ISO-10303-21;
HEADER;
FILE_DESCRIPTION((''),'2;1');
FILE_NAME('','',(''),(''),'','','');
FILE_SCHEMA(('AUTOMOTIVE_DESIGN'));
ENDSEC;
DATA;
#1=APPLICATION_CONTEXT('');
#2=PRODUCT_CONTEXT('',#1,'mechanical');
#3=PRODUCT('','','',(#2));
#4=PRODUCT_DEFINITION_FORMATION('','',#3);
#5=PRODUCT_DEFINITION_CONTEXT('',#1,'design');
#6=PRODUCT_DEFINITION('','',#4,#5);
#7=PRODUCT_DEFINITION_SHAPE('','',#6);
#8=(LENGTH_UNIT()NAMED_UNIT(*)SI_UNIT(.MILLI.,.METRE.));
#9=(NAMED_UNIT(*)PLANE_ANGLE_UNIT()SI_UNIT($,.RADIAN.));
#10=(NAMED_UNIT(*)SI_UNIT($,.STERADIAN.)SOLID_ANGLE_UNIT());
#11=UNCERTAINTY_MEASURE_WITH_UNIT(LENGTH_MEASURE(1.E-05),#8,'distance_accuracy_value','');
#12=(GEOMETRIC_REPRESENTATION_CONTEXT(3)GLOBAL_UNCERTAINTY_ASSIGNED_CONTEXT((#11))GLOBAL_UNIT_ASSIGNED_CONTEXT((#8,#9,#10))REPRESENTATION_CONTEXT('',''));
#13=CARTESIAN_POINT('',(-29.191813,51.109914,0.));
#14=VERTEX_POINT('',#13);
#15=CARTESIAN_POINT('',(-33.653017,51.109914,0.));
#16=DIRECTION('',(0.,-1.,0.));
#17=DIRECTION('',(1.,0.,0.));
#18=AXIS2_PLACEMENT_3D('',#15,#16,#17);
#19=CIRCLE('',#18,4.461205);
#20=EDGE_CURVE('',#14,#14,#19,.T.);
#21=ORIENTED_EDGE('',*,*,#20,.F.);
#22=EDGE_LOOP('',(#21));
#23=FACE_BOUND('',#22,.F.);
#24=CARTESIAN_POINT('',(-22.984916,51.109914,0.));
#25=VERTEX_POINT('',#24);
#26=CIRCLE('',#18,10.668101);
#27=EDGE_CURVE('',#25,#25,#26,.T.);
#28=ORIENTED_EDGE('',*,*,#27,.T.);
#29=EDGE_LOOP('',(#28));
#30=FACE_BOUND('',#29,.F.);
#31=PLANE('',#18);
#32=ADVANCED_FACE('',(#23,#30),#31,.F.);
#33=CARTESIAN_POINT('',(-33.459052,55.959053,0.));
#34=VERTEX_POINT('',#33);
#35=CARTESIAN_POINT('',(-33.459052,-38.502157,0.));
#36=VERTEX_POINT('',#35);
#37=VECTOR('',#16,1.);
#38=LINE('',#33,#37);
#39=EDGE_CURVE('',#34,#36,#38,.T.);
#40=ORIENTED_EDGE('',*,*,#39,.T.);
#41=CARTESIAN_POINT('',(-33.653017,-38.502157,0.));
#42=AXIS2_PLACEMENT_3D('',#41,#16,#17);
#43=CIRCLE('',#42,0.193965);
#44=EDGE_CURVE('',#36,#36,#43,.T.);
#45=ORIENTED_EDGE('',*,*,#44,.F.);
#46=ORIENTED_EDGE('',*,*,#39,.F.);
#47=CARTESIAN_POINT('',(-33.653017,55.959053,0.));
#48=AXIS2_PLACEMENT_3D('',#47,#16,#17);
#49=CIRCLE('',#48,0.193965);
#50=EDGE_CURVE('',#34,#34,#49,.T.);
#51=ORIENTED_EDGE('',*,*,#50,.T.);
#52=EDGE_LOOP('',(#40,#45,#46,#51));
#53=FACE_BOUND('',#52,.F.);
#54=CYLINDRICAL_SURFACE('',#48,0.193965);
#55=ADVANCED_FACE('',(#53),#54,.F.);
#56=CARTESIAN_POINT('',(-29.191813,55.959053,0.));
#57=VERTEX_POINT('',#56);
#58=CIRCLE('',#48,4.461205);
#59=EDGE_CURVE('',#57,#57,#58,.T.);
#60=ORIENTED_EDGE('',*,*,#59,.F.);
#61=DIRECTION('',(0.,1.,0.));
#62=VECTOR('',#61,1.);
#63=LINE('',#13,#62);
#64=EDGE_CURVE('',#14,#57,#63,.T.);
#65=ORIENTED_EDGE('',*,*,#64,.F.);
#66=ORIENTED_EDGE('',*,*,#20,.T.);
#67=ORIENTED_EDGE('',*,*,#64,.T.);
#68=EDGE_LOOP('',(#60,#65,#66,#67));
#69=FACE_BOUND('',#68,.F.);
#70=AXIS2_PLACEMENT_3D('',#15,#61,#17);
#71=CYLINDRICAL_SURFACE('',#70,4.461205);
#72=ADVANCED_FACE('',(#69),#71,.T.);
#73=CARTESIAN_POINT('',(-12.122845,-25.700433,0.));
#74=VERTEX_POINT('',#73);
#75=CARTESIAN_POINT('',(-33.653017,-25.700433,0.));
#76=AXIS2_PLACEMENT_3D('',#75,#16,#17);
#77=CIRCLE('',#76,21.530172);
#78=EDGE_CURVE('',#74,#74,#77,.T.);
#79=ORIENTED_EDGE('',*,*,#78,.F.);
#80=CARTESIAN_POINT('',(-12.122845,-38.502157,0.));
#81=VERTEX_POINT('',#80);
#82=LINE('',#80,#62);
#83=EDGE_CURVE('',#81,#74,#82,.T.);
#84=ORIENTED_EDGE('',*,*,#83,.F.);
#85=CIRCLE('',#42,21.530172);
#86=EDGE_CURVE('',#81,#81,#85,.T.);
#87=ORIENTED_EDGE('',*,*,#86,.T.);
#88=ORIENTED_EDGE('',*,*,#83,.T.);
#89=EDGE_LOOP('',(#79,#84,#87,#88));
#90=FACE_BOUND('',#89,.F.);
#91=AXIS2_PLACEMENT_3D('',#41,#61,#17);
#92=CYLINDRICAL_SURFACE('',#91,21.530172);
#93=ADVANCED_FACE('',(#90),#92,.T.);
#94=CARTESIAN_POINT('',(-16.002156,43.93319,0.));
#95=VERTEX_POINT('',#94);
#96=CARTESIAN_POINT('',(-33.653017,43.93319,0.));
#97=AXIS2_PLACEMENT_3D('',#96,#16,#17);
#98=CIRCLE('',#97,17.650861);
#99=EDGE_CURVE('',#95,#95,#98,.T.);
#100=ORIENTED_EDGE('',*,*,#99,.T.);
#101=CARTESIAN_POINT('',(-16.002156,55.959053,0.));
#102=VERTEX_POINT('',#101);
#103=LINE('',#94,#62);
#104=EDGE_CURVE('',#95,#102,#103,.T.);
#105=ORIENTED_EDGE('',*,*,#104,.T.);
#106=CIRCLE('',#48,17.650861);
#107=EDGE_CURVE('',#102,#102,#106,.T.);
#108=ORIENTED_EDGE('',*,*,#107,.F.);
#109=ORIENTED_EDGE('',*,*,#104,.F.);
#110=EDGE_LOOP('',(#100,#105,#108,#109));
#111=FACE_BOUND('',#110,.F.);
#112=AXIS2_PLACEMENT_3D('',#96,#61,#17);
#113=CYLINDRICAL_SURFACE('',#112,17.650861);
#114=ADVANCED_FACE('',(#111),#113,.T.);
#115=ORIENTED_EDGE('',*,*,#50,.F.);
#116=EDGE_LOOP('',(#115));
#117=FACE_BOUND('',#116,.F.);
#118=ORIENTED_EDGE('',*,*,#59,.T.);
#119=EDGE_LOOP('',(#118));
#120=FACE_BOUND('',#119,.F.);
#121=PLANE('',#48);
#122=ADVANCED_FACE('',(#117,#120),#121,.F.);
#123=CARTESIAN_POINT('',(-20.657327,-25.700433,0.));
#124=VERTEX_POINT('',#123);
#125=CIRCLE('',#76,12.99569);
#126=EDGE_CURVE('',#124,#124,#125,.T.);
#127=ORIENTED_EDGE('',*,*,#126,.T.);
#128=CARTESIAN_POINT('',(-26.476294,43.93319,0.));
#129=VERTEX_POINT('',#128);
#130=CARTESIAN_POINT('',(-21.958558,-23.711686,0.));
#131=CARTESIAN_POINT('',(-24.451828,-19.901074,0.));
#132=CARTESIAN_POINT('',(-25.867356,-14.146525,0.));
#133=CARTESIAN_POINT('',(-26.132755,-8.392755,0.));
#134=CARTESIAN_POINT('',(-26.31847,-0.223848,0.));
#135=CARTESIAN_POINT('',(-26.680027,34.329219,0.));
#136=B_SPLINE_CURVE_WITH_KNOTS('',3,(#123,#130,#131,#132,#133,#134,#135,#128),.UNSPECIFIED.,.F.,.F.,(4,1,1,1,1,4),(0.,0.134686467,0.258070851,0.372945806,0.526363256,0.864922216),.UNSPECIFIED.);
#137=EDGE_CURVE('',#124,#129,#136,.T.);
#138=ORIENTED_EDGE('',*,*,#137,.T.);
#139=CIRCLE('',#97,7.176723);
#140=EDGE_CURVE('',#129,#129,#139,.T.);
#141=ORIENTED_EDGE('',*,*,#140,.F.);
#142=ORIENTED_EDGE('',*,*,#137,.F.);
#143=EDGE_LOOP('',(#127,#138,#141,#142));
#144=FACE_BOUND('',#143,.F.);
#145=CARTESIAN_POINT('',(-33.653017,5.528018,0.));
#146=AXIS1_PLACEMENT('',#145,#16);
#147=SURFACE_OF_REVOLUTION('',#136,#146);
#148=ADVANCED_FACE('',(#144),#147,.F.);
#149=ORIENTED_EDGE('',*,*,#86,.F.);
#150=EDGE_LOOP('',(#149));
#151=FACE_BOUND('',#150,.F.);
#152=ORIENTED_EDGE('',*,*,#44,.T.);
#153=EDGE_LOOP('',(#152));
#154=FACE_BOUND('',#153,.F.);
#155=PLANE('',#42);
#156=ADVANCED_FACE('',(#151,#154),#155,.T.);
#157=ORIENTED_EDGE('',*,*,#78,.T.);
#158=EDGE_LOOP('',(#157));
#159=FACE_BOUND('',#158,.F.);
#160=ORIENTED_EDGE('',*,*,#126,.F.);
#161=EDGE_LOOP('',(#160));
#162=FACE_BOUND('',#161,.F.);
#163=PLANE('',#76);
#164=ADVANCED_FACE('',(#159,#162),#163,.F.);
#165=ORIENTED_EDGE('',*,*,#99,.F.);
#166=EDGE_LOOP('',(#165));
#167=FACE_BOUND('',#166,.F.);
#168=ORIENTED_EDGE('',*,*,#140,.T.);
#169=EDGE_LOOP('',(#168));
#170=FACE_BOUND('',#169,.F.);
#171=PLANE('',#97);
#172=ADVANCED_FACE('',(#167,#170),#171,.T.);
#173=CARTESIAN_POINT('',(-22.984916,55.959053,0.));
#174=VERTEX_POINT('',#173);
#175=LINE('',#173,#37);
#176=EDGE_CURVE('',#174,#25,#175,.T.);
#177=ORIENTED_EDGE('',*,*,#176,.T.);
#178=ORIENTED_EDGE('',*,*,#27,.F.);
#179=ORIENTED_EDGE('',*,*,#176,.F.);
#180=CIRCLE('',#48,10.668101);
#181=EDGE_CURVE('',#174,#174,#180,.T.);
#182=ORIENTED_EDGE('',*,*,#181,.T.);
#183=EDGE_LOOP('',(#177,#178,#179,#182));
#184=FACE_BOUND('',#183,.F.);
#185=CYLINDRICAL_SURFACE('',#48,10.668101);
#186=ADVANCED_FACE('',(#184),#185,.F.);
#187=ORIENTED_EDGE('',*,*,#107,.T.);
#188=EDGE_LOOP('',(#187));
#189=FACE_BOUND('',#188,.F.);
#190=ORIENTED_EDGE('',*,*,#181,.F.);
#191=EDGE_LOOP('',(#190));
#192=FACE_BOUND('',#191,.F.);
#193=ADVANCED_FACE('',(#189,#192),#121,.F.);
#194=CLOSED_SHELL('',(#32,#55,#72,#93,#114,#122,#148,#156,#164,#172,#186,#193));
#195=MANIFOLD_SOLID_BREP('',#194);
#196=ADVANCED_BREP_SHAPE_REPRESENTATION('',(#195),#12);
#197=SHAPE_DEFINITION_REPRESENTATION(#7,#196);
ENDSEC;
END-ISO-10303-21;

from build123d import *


with BuildPart() as f2:
    # F1 (on Top) → F2 (revolve)
    with BuildSketch(Plane.XY):
        with BuildLine():
            Line((-12.1228452772, -25.7004331797), (-20.6573270261, -25.7004331797))
            add(Edge.make_bspline(
                [(-20.6573270261, -25.7004331797), (-21.9585579123, -23.7116855129), (-24.4518281682, -19.9010739936), (-25.8673555034, -14.146525298), (-26.1327547955, -8.392755394), (-26.3184699385, -0.223848061), (-26.6800273677, 34.3292194542), (-26.4762938023, 43.9331904054)],
                knots=[0, 0, 0, 0, 0.1346864672, 0.2580708513, 0.3729458061, 0.5263632562, 0.8649222159, 0.8649222159, 0.8649222159, 0.8649222159], degree=3))
            Line((-26.4762938023, 43.9331904054), (-16.0021558404, 43.9331904054))
            Line((-16.0021558404, 43.9331904054), (-16.0021558404, 55.9590533376))
            Line((-16.0021558404, 55.9590533376), (-22.9849163443, 55.9590533376))
            Line((-22.9849163443, 55.9590533376), (-22.9849163443, 51.1099137366))
            Line((-22.9849163443, 51.1099137366), (-29.1918125004, 51.1099137366))
            Line((-29.1918125004, 51.1099137366), (-29.1918125004, 55.9590533376))
            Line((-29.1918125004, 55.9590533376), (-33.4590524435, 55.9590533376))
            Line((-33.4590524435, 55.9590533376), (-33.4590524435, -38.5021567345))
            Line((-33.4590524435, -38.5021567345), (-12.1228452772, -38.5021567345))
            Line((-12.1228452772, -38.5021567345), (-12.1228452772, -25.7004331797))
        make_face()
    revolve(axis=Axis((-33.6530171335, 5.5280178785, 0), (0, -1, 0)))


solid = f2.part
